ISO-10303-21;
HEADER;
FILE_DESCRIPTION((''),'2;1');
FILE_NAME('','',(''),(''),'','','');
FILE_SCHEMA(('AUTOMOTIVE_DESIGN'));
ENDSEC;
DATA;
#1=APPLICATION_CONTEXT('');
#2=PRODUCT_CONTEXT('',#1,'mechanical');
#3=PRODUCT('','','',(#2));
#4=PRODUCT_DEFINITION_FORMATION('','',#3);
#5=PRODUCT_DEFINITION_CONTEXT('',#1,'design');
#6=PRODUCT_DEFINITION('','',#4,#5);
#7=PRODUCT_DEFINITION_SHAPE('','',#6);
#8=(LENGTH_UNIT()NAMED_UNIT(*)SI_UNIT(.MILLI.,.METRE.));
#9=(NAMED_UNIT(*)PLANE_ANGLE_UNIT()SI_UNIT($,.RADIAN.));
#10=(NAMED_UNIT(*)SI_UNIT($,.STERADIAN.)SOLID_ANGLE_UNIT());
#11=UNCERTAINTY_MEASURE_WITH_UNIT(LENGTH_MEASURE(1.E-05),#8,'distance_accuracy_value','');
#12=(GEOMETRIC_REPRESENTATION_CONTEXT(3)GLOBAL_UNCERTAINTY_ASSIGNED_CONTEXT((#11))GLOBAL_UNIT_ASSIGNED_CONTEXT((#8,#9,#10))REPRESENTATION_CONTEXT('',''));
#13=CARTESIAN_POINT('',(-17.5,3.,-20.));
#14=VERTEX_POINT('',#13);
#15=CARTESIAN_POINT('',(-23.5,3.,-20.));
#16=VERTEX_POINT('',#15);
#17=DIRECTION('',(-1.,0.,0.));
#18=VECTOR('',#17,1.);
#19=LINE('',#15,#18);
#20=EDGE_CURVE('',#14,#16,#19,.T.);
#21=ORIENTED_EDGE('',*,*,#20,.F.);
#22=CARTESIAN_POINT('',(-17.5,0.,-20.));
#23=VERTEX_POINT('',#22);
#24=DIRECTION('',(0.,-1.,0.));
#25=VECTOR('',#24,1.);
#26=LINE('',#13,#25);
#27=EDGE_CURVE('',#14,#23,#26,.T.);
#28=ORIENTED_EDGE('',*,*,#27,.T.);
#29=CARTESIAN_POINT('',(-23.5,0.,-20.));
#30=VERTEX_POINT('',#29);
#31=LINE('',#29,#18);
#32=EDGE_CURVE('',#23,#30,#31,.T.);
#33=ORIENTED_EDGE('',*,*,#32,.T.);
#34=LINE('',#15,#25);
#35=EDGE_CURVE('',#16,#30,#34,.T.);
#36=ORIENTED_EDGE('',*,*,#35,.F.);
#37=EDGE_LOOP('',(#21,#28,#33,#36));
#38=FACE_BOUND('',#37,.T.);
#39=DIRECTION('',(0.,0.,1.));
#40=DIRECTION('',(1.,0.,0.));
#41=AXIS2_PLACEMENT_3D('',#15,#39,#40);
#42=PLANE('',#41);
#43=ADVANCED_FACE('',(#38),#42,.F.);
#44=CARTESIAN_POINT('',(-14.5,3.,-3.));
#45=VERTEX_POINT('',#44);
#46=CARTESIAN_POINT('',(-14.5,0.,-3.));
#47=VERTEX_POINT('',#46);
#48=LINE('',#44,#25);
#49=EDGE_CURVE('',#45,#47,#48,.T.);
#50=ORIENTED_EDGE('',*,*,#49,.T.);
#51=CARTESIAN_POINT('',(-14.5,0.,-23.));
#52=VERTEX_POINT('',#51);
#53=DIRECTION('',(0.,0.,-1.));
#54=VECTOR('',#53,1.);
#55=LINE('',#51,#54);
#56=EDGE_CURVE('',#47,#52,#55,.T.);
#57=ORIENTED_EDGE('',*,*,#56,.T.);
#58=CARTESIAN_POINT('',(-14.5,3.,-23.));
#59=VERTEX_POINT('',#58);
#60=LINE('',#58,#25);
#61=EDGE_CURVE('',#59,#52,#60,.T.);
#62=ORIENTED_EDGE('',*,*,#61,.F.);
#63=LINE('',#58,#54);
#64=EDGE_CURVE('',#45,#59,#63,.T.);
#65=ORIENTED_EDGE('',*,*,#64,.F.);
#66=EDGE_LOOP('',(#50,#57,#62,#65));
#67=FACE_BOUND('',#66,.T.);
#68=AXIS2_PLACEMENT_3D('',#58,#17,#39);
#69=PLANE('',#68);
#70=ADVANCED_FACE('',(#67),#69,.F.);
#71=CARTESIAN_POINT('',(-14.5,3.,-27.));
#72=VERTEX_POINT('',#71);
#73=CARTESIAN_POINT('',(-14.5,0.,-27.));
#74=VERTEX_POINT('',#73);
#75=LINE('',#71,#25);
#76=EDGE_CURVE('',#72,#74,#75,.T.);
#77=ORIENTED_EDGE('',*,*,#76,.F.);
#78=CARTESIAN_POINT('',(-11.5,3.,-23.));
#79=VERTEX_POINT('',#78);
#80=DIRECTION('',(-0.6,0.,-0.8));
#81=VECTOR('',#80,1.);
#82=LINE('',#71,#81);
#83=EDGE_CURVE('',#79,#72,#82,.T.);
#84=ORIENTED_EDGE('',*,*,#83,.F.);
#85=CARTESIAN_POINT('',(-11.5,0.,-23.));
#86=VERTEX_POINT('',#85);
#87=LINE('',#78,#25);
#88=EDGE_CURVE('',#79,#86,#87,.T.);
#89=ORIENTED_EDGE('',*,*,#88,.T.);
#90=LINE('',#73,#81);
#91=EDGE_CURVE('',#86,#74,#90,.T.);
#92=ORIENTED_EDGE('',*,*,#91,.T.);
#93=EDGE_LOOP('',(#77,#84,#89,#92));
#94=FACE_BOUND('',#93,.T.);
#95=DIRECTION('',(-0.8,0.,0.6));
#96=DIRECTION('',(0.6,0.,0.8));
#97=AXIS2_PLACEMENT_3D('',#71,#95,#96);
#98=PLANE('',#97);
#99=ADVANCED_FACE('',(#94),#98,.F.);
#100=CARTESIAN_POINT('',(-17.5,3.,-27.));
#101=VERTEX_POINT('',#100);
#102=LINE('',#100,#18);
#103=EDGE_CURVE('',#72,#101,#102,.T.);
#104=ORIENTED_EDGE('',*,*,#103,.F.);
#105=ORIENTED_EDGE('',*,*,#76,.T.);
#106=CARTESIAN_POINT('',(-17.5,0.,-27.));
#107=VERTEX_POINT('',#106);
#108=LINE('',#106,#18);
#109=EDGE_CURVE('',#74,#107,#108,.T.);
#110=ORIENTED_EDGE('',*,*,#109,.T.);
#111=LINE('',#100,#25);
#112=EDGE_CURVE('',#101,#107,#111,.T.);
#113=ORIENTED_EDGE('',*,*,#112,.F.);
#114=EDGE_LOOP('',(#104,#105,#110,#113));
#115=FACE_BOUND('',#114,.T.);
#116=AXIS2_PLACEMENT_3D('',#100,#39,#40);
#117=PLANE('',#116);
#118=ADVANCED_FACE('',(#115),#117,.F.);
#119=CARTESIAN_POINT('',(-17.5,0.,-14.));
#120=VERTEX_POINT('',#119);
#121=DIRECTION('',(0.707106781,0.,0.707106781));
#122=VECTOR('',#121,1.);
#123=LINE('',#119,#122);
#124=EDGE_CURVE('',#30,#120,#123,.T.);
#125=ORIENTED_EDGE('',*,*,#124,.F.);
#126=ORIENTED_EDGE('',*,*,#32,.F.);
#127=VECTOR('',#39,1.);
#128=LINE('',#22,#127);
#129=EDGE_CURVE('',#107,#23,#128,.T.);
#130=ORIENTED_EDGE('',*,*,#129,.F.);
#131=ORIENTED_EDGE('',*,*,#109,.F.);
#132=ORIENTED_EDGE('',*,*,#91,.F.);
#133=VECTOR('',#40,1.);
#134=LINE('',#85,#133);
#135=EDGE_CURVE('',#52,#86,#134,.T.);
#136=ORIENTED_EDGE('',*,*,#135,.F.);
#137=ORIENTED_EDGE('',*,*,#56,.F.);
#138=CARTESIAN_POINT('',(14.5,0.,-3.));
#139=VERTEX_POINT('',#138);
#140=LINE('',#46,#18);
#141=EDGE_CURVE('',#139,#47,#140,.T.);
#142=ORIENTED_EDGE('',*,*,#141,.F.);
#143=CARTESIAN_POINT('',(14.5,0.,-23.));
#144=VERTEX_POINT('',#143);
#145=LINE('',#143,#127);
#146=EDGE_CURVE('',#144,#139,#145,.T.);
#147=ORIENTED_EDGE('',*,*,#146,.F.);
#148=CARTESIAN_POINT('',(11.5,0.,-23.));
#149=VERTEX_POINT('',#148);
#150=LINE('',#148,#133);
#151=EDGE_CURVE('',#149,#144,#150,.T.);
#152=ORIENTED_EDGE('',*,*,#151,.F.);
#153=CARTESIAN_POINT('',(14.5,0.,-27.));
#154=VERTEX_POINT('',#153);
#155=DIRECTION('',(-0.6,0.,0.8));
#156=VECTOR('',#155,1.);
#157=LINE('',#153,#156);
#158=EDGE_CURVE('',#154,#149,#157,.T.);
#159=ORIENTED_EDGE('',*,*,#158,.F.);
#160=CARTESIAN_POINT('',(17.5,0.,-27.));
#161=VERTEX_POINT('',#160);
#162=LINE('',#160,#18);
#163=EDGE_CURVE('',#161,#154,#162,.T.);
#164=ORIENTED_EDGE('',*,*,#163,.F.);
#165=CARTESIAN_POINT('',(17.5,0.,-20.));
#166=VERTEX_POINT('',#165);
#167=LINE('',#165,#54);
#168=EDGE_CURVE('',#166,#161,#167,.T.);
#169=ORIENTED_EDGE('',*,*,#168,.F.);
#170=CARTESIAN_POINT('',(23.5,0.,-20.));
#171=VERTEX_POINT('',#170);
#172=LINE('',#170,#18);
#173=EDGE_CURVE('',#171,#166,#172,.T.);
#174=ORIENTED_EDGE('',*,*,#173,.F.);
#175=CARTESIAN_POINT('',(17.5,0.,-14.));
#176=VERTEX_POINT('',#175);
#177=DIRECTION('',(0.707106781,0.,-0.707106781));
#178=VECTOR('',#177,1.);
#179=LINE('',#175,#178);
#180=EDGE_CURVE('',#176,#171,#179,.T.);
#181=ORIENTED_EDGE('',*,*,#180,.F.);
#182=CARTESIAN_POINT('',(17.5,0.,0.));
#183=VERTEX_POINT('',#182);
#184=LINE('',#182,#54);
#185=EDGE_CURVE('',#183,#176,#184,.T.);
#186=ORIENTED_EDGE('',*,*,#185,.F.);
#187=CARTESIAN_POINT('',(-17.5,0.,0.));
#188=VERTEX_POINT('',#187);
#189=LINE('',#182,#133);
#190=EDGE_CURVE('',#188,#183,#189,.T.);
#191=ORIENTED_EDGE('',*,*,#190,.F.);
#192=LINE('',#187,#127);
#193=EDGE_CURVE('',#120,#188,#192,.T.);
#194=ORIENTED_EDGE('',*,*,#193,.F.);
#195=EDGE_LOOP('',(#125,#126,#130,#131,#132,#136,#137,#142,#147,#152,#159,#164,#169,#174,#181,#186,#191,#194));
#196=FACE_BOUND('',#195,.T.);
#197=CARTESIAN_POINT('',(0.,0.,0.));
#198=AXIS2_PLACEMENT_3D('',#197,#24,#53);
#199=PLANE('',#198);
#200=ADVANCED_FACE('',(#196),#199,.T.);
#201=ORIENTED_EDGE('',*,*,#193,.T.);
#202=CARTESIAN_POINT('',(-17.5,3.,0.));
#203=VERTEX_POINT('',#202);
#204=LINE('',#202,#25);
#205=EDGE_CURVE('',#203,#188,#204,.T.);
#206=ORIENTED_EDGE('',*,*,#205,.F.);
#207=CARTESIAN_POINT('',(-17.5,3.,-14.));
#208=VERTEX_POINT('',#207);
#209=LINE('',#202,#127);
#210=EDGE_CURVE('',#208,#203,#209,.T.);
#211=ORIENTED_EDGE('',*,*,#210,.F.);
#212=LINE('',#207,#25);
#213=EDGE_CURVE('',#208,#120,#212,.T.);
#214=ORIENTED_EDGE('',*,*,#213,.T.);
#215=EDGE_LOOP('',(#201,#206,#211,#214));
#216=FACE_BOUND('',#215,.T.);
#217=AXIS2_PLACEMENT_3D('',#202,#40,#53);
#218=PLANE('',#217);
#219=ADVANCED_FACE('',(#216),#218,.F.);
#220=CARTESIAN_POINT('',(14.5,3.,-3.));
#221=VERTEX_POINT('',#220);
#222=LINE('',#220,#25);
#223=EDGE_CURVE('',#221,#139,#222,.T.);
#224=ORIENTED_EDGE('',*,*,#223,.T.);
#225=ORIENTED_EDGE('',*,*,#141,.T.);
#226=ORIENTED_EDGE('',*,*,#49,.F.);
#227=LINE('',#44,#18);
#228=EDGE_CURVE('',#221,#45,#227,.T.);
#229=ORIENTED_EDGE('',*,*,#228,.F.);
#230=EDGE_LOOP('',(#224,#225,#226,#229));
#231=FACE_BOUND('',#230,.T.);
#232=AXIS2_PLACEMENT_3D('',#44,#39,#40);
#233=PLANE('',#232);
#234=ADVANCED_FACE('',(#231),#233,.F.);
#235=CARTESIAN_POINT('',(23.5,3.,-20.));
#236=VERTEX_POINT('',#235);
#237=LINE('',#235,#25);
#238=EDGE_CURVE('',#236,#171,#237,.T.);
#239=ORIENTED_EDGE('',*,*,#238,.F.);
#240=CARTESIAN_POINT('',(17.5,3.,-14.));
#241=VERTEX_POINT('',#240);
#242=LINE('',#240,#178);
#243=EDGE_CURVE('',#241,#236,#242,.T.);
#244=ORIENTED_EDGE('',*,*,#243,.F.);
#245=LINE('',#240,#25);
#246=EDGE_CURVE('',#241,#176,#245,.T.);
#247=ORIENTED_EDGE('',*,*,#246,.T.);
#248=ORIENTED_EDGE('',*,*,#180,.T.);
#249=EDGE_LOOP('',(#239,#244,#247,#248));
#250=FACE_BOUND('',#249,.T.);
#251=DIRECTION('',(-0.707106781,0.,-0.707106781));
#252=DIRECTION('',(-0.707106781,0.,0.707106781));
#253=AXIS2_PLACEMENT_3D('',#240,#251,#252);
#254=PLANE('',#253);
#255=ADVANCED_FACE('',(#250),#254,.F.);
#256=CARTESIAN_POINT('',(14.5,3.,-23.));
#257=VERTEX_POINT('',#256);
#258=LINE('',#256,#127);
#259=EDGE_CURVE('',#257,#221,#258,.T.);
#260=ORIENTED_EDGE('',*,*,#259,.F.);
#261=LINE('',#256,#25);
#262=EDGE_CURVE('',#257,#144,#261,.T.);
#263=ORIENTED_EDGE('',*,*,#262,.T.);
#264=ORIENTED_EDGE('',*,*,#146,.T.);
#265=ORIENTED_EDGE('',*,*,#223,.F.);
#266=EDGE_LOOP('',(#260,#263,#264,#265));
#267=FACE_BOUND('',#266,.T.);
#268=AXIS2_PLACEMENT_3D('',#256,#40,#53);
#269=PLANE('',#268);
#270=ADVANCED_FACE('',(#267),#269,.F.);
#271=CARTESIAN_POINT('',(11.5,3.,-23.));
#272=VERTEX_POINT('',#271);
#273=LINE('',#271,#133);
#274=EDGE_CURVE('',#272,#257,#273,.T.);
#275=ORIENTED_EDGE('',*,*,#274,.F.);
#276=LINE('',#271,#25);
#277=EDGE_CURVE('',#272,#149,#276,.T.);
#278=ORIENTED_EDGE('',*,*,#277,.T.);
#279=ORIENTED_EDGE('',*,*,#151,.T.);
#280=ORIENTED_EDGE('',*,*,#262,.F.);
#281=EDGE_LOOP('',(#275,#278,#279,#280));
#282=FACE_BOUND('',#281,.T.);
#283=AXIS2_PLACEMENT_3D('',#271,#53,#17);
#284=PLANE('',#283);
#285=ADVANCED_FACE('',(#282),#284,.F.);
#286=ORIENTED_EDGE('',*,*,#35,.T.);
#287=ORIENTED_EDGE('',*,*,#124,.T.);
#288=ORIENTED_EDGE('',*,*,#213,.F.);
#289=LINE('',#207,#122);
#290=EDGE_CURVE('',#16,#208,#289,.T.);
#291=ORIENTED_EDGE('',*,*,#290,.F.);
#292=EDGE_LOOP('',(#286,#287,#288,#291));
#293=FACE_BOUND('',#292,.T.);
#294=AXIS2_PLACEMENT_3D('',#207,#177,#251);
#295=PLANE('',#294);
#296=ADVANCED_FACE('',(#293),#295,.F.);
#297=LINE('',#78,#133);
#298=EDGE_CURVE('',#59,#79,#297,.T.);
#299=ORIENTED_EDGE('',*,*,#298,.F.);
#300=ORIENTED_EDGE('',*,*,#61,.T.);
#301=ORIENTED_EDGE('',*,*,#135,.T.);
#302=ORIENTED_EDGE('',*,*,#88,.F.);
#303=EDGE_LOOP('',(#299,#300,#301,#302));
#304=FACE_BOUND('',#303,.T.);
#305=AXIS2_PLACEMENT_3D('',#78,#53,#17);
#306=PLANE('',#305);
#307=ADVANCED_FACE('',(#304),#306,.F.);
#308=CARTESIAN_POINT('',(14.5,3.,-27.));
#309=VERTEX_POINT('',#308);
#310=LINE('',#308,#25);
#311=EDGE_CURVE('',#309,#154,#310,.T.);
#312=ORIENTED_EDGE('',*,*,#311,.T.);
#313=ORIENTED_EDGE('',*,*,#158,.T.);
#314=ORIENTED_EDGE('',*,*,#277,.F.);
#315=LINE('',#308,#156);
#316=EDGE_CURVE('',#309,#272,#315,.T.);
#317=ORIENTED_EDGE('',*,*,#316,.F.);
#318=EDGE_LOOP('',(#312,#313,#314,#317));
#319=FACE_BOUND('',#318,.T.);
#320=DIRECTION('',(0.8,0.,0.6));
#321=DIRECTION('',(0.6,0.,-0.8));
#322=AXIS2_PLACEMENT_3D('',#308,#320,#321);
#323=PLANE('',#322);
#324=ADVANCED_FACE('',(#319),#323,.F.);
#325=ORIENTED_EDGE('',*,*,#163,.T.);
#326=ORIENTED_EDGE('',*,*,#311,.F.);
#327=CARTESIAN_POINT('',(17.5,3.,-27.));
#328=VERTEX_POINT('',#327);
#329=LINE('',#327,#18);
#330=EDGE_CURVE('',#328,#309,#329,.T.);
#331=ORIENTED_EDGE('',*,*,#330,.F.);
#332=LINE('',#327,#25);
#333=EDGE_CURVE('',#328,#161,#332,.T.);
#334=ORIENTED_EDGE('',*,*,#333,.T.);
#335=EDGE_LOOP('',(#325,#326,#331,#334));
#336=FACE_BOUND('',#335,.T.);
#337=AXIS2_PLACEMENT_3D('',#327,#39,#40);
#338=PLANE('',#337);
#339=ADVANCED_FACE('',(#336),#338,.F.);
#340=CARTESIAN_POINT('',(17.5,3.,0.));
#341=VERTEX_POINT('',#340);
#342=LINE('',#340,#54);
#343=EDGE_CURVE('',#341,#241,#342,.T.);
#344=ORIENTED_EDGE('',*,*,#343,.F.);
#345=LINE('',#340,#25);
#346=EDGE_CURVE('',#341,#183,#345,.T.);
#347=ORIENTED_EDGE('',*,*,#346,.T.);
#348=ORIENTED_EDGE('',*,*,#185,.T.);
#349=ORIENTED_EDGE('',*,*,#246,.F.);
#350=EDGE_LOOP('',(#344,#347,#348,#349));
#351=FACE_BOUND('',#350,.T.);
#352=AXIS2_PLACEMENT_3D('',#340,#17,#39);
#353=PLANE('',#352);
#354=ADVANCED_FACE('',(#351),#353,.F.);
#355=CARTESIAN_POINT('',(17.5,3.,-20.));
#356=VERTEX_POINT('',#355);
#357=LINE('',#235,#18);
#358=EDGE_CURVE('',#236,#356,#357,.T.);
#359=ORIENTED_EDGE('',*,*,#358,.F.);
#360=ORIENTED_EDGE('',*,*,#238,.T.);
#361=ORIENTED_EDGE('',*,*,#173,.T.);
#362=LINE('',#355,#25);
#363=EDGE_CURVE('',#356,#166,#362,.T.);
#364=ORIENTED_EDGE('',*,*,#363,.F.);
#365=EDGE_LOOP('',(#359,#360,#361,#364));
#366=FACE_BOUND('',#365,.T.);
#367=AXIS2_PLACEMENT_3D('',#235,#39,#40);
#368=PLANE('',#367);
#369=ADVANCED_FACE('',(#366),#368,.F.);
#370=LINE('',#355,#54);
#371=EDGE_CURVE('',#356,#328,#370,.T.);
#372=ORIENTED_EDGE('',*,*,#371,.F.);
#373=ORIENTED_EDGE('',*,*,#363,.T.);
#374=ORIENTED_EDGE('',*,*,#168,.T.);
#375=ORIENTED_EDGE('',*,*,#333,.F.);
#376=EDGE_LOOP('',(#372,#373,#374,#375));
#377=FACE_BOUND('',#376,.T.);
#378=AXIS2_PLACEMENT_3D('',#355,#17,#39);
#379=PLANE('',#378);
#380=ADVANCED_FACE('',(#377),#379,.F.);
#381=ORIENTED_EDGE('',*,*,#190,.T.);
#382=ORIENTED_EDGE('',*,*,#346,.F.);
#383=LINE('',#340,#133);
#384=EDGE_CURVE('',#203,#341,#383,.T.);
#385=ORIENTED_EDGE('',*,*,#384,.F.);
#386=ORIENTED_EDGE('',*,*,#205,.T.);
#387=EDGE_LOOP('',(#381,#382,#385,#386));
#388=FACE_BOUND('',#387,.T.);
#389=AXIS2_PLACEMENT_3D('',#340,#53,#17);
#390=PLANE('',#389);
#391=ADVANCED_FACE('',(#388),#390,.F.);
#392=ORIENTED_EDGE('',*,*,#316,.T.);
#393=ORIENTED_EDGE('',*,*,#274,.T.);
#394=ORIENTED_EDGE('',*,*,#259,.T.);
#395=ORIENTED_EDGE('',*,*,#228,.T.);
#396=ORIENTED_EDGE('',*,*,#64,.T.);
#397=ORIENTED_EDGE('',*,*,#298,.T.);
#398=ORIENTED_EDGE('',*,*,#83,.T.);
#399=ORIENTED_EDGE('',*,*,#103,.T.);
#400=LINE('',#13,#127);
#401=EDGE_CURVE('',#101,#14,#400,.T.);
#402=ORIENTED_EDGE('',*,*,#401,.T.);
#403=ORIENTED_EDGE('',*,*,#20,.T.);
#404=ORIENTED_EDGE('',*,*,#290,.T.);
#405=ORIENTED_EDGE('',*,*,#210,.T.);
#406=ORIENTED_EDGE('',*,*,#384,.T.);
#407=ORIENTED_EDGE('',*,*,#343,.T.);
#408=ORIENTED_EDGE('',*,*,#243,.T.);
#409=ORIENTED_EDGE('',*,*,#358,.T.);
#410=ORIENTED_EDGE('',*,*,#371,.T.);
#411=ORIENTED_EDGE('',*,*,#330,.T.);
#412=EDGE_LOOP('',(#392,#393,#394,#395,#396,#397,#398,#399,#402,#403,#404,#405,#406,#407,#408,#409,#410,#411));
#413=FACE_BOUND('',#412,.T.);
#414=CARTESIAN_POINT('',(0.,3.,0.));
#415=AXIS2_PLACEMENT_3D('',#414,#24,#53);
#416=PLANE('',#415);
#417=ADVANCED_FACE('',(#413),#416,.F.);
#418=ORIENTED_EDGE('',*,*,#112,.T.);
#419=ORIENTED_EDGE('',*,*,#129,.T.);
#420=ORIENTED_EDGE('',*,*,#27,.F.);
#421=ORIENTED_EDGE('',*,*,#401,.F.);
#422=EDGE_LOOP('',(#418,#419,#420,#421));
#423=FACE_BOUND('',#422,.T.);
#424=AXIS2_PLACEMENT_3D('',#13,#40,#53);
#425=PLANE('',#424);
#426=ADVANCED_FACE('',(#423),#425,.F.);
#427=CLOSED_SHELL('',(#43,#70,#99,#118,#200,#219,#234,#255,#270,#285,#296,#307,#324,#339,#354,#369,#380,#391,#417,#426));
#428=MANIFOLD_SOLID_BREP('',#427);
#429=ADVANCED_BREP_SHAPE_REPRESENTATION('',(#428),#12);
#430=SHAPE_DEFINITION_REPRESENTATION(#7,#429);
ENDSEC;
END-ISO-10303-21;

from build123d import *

# Parameters (mm, degrees)
BOSS_EXTRUDE1_DEPTH = 3


with BuildPart() as part:
    # Sketch1 → Boss-Extrude1 (new body)
    with BuildSketch(Plane(origin=(0, 0, 0), x_dir=(1, 0, 0), z_dir=(0, 1, 0))):
        Polygon((17.5, 0), (-17.5, 0), (-17.5, 14), (-23.5, 20), (-17.5, 20), (-17.5, 27), (-14.5, 27), (-11.5, 23), (-14.5, 23), (-14.5, 3), (14.5, 3), (14.5, 23), (11.5, 23), (14.5, 27), (17.5, 27), (17.5, 20), (23.5, 20), (17.5, 14), align=None)
    extrude(amount=BOSS_EXTRUDE1_DEPTH)


solid = part.part
